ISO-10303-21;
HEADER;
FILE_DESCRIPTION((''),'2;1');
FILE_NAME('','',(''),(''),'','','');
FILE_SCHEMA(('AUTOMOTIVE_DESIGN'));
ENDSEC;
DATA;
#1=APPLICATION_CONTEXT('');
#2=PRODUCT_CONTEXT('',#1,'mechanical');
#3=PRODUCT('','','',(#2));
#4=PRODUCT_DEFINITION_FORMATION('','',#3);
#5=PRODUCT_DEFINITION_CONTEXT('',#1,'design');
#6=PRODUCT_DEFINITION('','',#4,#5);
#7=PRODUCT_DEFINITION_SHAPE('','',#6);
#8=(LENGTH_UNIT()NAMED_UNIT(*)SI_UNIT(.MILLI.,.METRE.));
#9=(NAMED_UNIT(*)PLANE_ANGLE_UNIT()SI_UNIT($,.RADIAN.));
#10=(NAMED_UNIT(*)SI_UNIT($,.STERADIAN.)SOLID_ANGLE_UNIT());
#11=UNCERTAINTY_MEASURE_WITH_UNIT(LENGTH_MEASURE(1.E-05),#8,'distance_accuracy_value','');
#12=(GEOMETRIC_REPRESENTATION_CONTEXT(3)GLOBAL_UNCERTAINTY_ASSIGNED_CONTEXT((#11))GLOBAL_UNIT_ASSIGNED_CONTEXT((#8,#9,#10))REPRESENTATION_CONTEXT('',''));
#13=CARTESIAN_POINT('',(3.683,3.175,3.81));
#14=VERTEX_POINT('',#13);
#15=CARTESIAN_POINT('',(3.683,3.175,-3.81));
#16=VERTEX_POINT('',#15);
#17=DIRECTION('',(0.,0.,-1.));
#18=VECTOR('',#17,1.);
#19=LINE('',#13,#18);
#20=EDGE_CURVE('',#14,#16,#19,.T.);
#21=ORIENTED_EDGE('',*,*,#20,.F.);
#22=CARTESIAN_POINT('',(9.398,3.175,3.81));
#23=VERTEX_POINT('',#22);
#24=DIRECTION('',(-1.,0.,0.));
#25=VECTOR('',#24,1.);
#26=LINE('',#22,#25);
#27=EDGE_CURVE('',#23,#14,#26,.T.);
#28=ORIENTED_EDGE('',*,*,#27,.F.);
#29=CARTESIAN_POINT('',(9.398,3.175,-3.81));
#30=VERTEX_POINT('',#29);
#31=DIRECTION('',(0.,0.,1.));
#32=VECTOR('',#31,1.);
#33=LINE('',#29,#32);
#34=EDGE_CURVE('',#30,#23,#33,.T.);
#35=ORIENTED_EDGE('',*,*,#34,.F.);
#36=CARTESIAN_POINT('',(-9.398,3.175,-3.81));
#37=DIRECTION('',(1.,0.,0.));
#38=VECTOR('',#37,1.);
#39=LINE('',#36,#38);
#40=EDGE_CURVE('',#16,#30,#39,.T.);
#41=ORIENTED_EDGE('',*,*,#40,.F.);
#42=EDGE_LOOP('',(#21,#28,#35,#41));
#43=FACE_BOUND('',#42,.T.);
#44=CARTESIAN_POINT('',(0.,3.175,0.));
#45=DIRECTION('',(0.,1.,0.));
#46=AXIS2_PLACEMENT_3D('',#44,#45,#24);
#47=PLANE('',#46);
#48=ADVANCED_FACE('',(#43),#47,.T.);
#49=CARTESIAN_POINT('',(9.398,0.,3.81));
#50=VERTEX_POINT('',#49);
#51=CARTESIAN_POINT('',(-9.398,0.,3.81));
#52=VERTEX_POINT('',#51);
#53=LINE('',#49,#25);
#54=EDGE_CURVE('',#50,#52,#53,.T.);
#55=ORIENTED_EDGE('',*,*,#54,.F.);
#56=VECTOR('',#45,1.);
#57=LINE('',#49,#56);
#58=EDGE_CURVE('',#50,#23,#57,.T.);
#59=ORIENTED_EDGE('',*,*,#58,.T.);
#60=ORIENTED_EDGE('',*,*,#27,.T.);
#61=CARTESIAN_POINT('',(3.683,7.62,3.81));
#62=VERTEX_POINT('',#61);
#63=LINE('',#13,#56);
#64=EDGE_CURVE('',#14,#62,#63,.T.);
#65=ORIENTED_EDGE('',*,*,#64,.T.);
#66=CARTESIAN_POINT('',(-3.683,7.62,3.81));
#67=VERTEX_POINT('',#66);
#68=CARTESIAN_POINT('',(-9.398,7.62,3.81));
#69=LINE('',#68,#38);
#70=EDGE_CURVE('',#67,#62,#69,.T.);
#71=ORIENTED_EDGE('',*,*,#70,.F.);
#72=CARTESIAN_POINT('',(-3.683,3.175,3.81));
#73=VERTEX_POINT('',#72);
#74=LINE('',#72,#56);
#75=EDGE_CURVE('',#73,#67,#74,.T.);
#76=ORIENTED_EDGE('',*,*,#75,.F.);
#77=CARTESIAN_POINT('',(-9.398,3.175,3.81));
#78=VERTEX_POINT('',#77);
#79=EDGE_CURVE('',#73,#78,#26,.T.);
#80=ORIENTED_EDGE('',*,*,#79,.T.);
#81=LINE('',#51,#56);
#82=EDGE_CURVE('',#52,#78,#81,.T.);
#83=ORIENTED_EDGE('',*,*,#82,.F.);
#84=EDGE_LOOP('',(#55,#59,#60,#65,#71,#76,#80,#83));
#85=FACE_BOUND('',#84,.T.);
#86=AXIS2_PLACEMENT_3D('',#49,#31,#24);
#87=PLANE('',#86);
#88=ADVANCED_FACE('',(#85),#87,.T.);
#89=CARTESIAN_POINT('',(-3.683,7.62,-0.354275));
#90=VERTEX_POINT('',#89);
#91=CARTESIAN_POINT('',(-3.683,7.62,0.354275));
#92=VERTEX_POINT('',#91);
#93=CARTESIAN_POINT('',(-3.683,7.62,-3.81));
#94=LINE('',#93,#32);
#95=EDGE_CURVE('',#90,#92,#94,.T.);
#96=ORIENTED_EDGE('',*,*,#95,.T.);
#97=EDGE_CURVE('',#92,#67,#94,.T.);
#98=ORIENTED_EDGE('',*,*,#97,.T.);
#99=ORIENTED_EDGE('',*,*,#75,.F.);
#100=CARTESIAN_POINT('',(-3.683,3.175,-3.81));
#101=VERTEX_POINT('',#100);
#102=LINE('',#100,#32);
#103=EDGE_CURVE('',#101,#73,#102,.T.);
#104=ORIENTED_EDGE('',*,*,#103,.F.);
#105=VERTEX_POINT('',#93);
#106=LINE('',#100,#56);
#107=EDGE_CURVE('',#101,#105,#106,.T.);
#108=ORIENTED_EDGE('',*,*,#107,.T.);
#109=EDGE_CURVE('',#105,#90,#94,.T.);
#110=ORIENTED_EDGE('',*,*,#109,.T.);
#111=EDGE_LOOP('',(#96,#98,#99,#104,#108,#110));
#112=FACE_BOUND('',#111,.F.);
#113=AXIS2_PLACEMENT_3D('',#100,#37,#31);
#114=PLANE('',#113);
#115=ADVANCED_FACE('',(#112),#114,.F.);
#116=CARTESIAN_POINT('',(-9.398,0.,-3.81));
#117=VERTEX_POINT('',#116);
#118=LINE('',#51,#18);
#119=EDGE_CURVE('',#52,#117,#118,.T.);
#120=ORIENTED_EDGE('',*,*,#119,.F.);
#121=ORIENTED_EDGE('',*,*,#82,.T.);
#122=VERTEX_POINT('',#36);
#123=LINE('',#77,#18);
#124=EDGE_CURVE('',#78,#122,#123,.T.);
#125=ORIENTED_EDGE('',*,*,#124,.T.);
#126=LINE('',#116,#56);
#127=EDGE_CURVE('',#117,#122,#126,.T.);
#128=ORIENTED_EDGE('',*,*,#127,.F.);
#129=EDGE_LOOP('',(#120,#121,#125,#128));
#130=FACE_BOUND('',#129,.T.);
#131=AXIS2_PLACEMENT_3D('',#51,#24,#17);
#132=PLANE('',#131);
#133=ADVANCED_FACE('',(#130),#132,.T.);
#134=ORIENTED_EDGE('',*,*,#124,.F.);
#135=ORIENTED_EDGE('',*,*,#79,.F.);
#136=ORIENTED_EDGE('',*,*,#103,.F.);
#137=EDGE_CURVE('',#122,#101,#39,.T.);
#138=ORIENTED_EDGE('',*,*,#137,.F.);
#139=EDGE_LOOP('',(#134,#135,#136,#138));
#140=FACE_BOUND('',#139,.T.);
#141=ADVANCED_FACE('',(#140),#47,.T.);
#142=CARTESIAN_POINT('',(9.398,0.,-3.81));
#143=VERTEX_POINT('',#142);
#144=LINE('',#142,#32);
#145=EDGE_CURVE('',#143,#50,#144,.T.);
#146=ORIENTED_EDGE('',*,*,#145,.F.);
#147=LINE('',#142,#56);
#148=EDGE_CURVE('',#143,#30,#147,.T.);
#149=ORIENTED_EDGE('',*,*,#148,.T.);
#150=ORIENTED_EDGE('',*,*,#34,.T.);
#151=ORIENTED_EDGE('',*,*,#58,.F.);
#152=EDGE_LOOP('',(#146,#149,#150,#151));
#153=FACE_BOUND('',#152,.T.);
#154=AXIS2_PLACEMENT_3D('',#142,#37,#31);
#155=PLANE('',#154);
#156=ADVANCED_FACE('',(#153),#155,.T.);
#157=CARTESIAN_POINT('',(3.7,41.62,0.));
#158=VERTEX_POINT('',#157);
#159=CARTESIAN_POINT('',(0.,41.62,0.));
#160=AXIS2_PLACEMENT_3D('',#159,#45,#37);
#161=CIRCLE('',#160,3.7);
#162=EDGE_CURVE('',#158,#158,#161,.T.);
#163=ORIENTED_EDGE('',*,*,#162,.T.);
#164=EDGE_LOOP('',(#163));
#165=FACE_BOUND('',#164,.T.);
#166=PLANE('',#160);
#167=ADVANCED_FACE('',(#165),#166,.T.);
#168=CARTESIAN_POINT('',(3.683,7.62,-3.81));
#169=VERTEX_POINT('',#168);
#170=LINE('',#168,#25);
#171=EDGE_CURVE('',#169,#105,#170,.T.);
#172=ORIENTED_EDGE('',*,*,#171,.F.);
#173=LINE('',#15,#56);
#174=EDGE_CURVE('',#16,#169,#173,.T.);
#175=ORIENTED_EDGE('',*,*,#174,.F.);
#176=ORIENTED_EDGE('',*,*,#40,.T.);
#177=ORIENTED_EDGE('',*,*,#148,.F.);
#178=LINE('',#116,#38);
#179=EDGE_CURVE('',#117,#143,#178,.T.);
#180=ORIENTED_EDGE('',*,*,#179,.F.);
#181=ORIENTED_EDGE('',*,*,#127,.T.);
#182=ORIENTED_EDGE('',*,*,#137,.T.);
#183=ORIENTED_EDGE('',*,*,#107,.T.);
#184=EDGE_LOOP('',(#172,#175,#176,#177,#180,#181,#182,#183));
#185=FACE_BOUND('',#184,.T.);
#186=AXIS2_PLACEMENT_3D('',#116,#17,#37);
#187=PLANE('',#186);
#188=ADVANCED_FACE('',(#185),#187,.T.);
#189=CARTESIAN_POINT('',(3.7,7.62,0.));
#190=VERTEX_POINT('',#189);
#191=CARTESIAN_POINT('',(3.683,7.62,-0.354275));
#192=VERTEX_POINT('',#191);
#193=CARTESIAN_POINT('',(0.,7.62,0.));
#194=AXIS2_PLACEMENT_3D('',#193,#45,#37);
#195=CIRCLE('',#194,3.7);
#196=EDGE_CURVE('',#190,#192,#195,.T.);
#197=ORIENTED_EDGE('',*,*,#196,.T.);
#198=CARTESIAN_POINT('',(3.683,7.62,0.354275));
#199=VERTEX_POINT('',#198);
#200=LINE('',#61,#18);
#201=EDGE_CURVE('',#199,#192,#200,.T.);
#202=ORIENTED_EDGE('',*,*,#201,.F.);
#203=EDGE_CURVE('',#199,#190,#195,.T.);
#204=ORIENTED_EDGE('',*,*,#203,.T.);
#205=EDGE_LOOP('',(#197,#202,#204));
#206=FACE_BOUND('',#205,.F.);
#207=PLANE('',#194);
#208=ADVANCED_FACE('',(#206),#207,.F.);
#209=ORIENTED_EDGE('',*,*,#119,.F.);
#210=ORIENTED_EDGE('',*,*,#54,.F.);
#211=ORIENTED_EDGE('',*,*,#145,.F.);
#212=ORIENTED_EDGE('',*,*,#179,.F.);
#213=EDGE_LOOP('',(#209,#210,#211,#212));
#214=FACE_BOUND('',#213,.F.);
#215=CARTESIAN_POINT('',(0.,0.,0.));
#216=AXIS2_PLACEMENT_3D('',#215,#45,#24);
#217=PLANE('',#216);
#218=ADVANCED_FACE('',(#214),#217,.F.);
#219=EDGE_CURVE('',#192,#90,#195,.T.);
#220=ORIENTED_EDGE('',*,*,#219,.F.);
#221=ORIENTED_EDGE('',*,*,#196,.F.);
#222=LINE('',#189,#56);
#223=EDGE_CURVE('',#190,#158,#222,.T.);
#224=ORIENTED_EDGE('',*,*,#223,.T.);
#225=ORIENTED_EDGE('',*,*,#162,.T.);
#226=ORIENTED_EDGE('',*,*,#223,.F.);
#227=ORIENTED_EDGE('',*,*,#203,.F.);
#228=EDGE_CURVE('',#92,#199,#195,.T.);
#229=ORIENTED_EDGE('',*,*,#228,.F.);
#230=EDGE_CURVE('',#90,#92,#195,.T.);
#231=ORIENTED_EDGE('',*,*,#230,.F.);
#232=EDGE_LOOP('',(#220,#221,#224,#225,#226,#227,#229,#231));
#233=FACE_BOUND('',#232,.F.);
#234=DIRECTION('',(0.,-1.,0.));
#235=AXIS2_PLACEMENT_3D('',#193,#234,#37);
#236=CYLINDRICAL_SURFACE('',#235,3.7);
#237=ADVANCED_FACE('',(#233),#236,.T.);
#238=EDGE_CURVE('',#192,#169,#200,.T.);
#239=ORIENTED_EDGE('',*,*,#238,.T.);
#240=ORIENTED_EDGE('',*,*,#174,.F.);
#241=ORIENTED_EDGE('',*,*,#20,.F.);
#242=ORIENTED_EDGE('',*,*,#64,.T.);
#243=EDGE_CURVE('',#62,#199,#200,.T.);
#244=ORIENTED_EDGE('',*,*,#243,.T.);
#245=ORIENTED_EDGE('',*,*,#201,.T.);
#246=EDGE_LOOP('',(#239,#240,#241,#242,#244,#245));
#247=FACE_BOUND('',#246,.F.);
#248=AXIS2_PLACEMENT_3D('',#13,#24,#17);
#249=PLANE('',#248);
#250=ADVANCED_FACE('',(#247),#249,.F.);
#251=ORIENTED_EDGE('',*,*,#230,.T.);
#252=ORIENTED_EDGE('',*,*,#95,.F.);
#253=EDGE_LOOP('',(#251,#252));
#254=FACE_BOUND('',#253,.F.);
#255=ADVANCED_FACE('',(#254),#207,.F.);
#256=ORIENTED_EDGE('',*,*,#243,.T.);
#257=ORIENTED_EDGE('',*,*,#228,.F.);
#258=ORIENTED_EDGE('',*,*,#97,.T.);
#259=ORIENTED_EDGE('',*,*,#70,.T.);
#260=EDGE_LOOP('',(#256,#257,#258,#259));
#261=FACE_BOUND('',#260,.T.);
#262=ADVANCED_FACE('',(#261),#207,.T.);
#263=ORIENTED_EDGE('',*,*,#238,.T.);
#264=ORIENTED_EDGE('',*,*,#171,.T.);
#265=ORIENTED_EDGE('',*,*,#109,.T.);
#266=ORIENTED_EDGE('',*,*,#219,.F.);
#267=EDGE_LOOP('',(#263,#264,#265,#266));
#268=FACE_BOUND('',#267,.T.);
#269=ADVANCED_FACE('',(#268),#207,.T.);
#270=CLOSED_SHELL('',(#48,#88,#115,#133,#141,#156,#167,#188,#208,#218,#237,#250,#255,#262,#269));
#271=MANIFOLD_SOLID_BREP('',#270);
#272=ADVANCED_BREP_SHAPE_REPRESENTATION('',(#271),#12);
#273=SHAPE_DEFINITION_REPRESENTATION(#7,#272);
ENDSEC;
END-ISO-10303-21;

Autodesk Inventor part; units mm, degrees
ref_plane "YZ Plane" through (0, 0, 0) normal (1, 0, 0) x (0, 1, 0)
ref_plane "XZ Plane" through (0, 0, 0) normal (0, 1, 0) x (-1, 0, 0)
ref_plane "XY Plane" through (0, 0, 0) normal (0, 0, 1) x (1, 0, 0)
sketch "Sketch1" plane through (0, 0, 0) normal (0, 1, 0) x (-1, 0, 0)
  line L0 (-9.398, 3.81) -> (9.398, 3.81)
  line L1 (9.398, 3.81) -> (9.398, -3.81)
  line L2 (9.398, -3.81) -> (-9.398, -3.81)
  line L3 (-9.398, -3.81) -> (-9.398, 3.81)
  line L4 (-9.398, 3.81) -> (9.398, -3.81) construction
  line L5 (9.398, 3.81) -> (-9.398, -3.81) construction
  point P0 (0, 0)
  dimension "d0" = 18.796
  dimension "d1" = 7.62
extrude "Extrusion1" add sketch "Sketch1" along normal blind 3.175
sketch "Sketch2" plane through (0, 3.175, 0) normal (0, 1, 0) x (1, 0, 0)
  line L0 (-9.398, -3.81) -> (9.398, -3.81) projected
  line L1 (3.683, 3.81) -> (-3.683, 3.81)
  line L2 (-3.683, 3.81) -> (-3.683, -3.81)
  line L3 (-3.683, -3.81) -> (3.683, -3.81)
  line L4 (3.683, -3.81) -> (3.683, 3.81)
  line L5 (3.683, 3.81) -> (-3.683, -3.81) construction
  line L6 (-3.683, 3.81) -> (3.683, -3.81) construction
  point P0 (0, 0)
  dimension "d4" = 7.366
extrude "Extrusion2" add sketch "Sketch2" along normal blind 4.445
sketch "Sketch3" plane through (0, 7.62, 0) normal (0, 1, 0) x (1, 0, 0)
  circle A0 centre (0, 0) radius 3.7
  dimension "d7" = 7.4
extrude "Extrusion3" add sketch "Sketch3" along normal blind 34
properties part number "Press_Mandrel"
